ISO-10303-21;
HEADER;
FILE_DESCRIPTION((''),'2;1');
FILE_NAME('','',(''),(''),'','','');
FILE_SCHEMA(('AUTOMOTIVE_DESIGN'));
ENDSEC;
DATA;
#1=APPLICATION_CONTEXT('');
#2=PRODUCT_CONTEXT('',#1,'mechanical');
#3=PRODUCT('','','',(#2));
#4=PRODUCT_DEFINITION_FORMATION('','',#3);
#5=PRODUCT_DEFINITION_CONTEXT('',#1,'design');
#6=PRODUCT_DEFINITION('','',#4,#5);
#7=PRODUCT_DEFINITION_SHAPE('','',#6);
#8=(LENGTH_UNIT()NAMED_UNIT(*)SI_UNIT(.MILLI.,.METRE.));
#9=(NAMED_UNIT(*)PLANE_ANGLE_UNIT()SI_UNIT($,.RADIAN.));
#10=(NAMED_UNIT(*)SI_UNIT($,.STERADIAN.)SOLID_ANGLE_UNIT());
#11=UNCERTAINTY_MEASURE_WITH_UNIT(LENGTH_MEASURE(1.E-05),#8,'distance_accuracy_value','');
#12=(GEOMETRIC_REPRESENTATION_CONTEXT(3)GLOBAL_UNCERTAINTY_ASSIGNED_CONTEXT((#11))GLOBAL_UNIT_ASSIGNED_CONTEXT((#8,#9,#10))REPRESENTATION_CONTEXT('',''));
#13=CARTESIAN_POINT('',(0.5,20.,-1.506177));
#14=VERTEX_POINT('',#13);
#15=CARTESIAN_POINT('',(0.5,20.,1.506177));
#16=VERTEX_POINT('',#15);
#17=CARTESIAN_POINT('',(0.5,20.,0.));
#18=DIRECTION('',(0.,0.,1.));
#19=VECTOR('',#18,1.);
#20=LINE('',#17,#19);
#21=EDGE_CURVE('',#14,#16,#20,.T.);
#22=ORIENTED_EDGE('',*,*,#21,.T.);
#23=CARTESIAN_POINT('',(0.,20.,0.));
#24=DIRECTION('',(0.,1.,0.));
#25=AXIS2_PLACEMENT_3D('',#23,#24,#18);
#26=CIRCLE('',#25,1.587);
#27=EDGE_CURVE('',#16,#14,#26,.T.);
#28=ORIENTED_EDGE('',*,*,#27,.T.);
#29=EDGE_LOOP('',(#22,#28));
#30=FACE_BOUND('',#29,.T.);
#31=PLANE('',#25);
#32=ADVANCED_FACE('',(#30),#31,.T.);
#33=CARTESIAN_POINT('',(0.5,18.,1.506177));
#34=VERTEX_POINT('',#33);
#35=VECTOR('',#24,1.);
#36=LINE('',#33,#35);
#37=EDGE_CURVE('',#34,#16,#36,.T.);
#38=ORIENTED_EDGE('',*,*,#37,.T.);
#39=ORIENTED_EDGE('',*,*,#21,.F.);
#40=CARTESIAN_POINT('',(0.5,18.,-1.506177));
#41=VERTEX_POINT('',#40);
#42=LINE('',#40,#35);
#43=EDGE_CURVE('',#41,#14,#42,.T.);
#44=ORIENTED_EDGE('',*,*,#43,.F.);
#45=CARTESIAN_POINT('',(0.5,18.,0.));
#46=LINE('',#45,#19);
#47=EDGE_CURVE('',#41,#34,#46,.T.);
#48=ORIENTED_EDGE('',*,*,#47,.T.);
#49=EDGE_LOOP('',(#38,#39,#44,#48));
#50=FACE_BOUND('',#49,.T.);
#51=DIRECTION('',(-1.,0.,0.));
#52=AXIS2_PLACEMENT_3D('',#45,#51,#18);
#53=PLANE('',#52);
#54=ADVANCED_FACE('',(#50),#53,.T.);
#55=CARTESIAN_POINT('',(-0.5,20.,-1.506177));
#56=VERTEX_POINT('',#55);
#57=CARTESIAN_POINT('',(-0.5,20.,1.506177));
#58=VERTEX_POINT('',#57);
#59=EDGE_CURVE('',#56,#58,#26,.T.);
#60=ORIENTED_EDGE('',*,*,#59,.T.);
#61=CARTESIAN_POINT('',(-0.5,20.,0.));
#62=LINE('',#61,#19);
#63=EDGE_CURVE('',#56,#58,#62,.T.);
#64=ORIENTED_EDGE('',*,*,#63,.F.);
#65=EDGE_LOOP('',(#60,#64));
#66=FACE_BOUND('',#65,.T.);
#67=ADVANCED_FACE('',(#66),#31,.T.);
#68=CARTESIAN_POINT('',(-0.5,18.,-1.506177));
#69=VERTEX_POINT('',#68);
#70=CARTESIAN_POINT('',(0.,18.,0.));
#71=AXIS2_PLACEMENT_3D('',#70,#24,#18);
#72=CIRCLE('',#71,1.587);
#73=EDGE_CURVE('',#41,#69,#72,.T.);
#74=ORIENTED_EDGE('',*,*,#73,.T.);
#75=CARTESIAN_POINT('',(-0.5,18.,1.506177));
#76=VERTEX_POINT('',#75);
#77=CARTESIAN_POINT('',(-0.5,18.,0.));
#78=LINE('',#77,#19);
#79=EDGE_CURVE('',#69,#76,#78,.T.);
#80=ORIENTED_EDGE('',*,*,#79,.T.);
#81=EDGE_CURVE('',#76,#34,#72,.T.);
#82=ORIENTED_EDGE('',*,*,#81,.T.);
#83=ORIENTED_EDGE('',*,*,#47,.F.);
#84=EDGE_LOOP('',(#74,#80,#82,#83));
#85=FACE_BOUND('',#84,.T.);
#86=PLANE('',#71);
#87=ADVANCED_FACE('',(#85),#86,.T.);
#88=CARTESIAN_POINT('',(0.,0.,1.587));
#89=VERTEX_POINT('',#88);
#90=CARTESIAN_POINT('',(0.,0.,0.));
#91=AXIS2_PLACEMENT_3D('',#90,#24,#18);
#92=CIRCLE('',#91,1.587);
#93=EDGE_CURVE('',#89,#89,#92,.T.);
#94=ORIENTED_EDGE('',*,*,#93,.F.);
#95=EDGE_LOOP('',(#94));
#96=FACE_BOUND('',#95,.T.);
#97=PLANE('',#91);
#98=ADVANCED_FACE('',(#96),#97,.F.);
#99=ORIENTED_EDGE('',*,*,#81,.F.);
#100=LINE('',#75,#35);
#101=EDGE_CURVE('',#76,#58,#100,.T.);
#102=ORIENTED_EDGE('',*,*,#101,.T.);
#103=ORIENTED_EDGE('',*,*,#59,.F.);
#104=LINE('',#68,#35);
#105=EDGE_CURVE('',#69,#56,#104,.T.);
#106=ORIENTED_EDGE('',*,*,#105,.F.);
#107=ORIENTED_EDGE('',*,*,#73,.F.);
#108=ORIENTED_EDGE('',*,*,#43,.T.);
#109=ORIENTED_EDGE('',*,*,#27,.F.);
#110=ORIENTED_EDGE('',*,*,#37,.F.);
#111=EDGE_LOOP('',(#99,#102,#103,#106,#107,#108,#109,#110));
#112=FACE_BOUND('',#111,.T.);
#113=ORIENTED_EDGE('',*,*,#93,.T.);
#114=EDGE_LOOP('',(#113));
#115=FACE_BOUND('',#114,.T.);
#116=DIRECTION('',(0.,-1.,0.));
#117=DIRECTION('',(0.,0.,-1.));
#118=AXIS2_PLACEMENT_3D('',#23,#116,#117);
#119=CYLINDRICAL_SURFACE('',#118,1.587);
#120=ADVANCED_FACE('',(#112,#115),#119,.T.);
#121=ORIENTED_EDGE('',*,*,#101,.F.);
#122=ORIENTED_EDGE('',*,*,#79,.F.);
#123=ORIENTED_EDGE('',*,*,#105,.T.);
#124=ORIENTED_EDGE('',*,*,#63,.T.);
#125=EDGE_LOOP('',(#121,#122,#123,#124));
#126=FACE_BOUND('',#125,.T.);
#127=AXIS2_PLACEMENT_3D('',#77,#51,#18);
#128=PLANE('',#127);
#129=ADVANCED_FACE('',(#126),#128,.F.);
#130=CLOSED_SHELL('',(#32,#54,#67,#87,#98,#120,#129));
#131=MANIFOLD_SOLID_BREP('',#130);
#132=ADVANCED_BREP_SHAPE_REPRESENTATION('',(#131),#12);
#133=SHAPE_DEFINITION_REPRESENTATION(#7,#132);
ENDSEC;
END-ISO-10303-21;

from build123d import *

# Parameters (mm, degrees)
SKETCH1_R           = 1.587
BOSS_EXTRUDE1_DEPTH = 20
CUT_EXTRUDE1_START  = -2
CUT_EXTRUDE1_DEPTH  = 2


with BuildPart() as part:
    # Sketch1 → Boss-Extrude1 (new body)
    with BuildSketch(Plane(origin=(0, 0, 0), x_dir=(1, 0, 0), z_dir=(0, 1, 0))):
        with Locations(Location((0, 0, 0), (0, 0, 270))):
            Circle(SKETCH1_R)
    extrude(amount=BOSS_EXTRUDE1_DEPTH)

    # Sketch2 → Cut-Extrude1 (cut)
    with BuildSketch(Plane(origin=(0, 20, 0), x_dir=(1, 0, 0), z_dir=(0, 1, 0)).offset(CUT_EXTRUDE1_START)):
        with BuildLine():
            ThreePointArc((0.5, 1.506176948), (0.253245121, 1.566663942), (0, 1.587))
            ThreePointArc((0, 1.587), (-0.253245121, 1.566663942), (-0.5, 1.506176948))
            Line((-0.5, 1.506176948), (-0.5, -1.506176948))
            ThreePointArc((-0.5, -1.506176948), (-0.253245121, -1.566663942), (0, -1.587))
            ThreePointArc((0, -1.587), (0.253245121, -1.566663942), (0.5, -1.506176948))
            Line((0.5, -1.506176948), (0.5, 1.506176948))
        make_face()
    extrude(amount=CUT_EXTRUDE1_DEPTH, mode=Mode.SUBTRACT)


solid = part.part
